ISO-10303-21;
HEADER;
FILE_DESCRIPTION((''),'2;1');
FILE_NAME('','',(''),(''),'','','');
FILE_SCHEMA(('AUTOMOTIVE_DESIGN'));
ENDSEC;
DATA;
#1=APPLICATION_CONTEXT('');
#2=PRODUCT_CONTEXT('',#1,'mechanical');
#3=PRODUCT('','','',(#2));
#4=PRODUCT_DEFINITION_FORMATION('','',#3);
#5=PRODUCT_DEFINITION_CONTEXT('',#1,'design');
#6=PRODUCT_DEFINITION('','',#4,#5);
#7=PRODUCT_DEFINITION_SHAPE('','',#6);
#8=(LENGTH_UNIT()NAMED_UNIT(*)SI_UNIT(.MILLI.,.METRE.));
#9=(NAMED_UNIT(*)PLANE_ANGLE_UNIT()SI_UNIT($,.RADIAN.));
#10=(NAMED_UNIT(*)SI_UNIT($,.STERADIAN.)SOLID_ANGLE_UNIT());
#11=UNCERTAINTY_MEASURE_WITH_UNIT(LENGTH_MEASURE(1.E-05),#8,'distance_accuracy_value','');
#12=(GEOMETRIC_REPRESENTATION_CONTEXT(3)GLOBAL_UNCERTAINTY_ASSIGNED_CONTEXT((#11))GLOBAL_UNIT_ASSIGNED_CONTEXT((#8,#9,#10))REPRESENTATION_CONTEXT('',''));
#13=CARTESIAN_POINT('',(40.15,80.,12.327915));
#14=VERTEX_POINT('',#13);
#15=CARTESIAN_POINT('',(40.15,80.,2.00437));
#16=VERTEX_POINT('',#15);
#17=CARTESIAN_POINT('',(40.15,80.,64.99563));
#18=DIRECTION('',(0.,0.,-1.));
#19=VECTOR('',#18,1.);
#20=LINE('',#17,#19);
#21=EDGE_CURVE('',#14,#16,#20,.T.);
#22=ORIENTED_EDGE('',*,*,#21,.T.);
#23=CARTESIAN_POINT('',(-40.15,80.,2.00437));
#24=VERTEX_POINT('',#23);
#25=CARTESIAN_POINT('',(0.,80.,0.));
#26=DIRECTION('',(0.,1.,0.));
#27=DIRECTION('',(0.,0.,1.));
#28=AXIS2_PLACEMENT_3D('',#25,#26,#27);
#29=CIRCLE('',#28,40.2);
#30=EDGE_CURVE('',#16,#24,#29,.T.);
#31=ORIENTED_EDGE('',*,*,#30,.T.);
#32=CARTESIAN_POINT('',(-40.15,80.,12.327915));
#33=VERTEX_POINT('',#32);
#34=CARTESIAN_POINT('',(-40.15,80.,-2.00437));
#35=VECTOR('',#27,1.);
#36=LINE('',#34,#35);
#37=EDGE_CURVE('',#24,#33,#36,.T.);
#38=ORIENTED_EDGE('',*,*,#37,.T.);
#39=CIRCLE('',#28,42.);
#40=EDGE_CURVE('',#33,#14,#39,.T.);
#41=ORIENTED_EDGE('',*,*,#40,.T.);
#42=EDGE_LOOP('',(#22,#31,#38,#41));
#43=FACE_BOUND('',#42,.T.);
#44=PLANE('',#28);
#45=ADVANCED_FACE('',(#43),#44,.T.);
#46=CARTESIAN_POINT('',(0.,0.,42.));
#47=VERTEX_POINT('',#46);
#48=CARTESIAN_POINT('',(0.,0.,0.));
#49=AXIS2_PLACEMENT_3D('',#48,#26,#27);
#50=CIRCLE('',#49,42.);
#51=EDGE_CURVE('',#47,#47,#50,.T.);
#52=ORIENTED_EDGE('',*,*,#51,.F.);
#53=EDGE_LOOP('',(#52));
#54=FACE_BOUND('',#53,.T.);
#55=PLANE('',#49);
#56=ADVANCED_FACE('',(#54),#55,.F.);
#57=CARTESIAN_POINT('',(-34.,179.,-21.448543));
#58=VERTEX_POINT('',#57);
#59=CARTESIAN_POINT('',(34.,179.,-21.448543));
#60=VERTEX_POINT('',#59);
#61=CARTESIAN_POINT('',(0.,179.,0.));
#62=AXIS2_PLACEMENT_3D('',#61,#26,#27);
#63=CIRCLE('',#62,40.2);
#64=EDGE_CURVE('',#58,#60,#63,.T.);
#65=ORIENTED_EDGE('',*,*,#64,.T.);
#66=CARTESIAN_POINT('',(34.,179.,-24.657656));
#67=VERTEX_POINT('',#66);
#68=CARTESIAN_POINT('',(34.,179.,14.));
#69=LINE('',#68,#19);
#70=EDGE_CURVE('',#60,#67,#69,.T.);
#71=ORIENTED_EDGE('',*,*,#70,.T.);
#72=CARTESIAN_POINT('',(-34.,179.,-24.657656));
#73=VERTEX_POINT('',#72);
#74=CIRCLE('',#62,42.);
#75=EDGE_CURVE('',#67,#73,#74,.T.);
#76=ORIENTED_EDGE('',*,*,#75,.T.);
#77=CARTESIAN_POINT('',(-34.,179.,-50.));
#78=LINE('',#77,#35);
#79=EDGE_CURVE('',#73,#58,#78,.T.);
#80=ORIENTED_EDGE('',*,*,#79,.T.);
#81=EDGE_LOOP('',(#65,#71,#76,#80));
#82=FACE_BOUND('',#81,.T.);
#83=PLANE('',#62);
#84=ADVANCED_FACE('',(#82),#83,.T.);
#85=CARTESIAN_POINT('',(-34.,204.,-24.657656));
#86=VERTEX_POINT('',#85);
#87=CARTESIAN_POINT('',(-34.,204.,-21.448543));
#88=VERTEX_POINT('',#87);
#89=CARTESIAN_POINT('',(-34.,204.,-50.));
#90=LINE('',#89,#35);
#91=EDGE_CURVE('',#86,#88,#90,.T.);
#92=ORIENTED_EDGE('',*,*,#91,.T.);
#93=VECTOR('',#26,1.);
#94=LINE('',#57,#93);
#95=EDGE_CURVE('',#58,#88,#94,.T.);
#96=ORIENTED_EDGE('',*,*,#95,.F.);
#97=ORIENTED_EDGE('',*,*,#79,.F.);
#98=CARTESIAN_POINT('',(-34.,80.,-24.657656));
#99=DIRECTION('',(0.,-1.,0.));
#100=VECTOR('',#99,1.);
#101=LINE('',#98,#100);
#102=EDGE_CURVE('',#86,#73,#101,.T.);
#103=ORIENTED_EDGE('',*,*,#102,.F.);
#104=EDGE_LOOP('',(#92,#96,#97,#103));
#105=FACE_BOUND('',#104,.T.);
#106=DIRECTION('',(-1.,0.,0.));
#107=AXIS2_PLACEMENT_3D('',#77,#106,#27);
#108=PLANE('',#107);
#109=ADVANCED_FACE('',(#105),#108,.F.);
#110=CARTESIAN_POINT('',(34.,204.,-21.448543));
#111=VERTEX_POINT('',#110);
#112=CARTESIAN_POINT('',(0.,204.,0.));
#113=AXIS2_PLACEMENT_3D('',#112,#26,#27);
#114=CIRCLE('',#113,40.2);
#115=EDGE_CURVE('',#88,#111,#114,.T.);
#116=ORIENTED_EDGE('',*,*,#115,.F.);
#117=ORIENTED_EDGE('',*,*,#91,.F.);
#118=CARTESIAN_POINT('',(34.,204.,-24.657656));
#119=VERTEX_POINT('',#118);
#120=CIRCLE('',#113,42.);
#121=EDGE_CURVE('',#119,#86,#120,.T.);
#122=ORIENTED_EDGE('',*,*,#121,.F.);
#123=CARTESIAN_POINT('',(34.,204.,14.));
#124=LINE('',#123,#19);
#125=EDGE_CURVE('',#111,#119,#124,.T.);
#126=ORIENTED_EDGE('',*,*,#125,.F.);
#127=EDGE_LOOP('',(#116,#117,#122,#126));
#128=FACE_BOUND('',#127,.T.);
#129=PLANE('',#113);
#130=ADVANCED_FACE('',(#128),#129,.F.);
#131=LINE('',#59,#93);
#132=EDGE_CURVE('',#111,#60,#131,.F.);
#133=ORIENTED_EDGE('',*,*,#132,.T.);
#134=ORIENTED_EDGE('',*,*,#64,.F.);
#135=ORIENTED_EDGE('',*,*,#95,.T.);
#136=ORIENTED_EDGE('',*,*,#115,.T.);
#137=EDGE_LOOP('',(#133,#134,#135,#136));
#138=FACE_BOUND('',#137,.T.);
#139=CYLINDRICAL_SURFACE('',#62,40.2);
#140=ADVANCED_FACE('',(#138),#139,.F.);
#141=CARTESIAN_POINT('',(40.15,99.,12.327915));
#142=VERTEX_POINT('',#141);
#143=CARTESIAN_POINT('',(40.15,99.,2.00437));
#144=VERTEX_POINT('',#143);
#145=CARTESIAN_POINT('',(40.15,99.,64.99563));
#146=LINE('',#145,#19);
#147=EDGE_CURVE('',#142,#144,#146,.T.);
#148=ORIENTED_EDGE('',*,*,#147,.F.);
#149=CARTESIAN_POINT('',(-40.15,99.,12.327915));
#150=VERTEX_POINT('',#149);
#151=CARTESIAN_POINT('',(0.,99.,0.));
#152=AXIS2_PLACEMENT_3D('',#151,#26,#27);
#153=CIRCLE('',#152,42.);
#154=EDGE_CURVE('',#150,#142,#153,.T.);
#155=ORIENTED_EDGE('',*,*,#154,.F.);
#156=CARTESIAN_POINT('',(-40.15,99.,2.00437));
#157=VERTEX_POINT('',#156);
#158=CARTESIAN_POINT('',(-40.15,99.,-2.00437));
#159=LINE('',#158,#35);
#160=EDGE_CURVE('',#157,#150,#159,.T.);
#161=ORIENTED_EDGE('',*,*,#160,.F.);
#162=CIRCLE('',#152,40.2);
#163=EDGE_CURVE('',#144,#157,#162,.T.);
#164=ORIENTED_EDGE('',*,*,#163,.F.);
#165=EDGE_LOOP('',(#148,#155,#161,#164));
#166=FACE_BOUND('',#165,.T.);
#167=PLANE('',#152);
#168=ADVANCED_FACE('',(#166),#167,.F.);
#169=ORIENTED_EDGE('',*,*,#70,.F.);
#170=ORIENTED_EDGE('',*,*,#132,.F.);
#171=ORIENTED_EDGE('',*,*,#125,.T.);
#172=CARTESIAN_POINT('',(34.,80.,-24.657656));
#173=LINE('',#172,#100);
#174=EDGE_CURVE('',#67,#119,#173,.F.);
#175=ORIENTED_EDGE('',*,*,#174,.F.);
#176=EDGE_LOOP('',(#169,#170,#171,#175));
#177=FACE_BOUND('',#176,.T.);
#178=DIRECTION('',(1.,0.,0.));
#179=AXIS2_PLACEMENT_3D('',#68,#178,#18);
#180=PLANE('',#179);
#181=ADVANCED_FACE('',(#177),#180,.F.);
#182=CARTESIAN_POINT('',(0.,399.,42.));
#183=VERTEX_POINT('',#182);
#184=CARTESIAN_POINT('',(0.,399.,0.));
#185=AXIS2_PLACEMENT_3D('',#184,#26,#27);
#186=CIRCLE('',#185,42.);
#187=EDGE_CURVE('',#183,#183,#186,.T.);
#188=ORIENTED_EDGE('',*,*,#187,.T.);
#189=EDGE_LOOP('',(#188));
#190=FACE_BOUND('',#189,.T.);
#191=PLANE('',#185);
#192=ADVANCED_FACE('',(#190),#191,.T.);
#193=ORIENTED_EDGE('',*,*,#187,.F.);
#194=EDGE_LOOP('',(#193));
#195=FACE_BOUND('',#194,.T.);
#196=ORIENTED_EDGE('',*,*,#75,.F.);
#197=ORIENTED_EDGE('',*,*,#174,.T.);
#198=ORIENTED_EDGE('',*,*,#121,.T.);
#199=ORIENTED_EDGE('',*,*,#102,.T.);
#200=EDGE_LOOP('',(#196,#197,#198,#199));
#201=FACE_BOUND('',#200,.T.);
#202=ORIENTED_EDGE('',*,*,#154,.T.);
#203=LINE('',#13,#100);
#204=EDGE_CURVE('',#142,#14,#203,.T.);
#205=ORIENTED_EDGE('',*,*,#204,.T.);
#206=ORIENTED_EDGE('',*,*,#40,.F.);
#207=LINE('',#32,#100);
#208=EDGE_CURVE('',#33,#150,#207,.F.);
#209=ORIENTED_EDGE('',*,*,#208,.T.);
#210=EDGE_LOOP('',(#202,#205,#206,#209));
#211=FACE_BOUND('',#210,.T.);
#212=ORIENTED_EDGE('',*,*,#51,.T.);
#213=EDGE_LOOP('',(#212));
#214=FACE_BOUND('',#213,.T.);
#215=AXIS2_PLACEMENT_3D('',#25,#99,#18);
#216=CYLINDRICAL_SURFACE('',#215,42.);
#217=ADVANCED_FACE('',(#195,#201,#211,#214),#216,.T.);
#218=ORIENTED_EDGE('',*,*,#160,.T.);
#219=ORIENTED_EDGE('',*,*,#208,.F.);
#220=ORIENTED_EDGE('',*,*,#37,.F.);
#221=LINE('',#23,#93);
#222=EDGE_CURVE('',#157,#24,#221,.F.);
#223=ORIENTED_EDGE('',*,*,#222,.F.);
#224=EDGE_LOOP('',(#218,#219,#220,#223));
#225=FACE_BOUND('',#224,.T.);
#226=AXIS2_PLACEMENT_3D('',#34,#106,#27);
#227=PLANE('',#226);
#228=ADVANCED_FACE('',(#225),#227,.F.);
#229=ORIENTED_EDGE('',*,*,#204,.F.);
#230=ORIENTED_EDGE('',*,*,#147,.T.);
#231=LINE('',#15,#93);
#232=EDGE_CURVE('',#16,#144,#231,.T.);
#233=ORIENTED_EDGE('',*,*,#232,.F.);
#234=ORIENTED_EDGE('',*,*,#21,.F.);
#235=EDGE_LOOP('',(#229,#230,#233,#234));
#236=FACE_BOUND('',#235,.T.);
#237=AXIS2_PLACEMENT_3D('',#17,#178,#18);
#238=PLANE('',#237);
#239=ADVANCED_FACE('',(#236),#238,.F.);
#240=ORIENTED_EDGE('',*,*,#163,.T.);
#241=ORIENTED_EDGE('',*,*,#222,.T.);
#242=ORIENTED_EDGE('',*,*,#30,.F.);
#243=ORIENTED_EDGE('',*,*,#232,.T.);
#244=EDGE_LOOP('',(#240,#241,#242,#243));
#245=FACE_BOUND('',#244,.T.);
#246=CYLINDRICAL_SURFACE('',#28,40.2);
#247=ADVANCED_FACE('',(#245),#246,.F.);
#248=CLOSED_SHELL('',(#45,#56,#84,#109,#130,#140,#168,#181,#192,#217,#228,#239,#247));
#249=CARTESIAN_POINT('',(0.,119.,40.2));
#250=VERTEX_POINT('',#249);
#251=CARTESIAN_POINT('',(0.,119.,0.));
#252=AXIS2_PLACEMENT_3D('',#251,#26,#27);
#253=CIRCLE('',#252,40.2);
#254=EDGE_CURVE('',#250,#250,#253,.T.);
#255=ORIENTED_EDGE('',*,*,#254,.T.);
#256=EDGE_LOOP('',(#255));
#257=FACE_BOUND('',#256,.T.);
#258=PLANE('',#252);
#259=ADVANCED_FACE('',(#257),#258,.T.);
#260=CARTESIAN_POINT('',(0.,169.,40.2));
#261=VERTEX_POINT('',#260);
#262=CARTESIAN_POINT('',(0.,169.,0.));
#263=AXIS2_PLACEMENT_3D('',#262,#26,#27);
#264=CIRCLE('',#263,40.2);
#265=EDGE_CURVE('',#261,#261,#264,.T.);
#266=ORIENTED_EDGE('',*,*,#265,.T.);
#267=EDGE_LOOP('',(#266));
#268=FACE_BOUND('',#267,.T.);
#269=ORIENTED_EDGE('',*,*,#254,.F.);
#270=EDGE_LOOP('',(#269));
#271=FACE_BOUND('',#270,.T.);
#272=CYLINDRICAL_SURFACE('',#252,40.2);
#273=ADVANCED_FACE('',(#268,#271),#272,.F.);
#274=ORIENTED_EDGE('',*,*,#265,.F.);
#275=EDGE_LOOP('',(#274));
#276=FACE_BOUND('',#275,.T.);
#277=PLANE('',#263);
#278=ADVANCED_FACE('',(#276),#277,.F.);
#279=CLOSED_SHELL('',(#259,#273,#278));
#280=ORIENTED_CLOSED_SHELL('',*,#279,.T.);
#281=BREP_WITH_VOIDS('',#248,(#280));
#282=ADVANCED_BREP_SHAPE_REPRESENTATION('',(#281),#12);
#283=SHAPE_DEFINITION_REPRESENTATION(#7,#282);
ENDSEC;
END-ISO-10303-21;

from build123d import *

# Parameters (mm, degrees)
SKETCH1_R           = 42
BOSS_EXTRUDE1_DEPTH = 80
SKETCH7_R           = 42
BOSS_EXTRUDE2_DEPTH = 19
SKETCH8_R           = 40.2
BATTERY_SLOT_DEPTH  = 19
SKETCH10_W          = 80.3
SKETCH10_H          = 67
CUT_EXTRUDE6_DEPTH  = 19
SKETCH11_R          = 42
BOSS_EXTRUDE3_DEPTH = 20
SKETCH12_R          = 42
BOSS_EXTRUDE4_DEPTH = 50
SKETCH13_R          = 40.2
CUT_EXTRUDE7_DEPTH  = 50
SKETCH14_R          = 42
BOSS_EXTRUDE5_DEPTH = 35
SKETCH15_R          = 40.2
RPI_SLOT_DEPTH      = 25
SKETCH16_W          = 68
SKETCH16_H          = 64
CUT_EXTRUDE9_DEPTH  = 25
SKETCH17_R          = 42
BOSS_EXTRUDE6_DEPTH = 20
SKETCH18_R          = 42
BOSS_EXTRUDE7_DEPTH = 175


with BuildPart() as part:
    # Sketch1 → Boss-Extrude1 (new body)
    with BuildSketch(Plane(origin=(0, 0, 0), x_dir=(1, 0, 0), z_dir=(0, 1, 0))):
        Circle(SKETCH1_R)
    extrude(amount=BOSS_EXTRUDE1_DEPTH)

    # Sketch7 → Boss-Extrude2 (add)
    with BuildSketch(Plane(origin=(0, 80, 0), x_dir=(1, 0, 0), z_dir=(0, 1, 0))):
        Circle(SKETCH7_R)
    extrude(amount=BOSS_EXTRUDE2_DEPTH)

    # Sketch8 → Battery slot (cut)
    with BuildSketch(Plane(origin=(0, 99, 0), x_dir=(1, 0, 0), z_dir=(0, 1, 0))):
        Circle(SKETCH8_R)
    extrude(amount=-BATTERY_SLOT_DEPTH, mode=Mode.SUBTRACT)

    # Sketch10 → Cut-Extrude6 (cut)
    with BuildSketch(Plane(origin=(0, 99, 0), x_dir=(1, 0, 0), z_dir=(0, 1, 0))):
        with Locations((0, -31.495629775)):
            Rectangle(SKETCH10_W, SKETCH10_H)
    extrude(amount=-CUT_EXTRUDE6_DEPTH, mode=Mode.SUBTRACT)

    # Sketch11 → Boss-Extrude3 (add)
    with BuildSketch(Plane(origin=(0, 99, 0), x_dir=(1, 0, 0), z_dir=(0, 1, 0))):
        Circle(SKETCH11_R)
    extrude(amount=BOSS_EXTRUDE3_DEPTH)

    # Sketch12 → Boss-Extrude4 (add)
    with BuildSketch(Plane(origin=(0, 119, 0), x_dir=(1, 0, 0), z_dir=(0, 1, 0))):
        Circle(SKETCH12_R)
    extrude(amount=BOSS_EXTRUDE4_DEPTH)

    # Sketch13 → Cut-Extrude7 (cut)
    with BuildSketch(Plane(origin=(0, 169, 0), x_dir=(1, 0, 0), z_dir=(0, 1, 0))):
        Circle(SKETCH13_R)
    extrude(amount=-CUT_EXTRUDE7_DEPTH, mode=Mode.SUBTRACT)

    # Sketch14 → Boss-Extrude5 (add)
    with BuildSketch(Plane(origin=(0, 169, 0), x_dir=(1, 0, 0), z_dir=(0, 1, 0))):
        Circle(SKETCH14_R)
    extrude(amount=BOSS_EXTRUDE5_DEPTH)

    # Sketch15 → RPI Slot (cut)
    with BuildSketch(Plane(origin=(0, 204, 0), x_dir=(1, 0, 0), z_dir=(0, 1, 0))):
        Circle(SKETCH15_R)
    extrude(amount=-RPI_SLOT_DEPTH, mode=Mode.SUBTRACT)

    # Sketch16 → Cut-Extrude9 (cut)
    with BuildSketch(Plane(origin=(0, 204, 0), x_dir=(1, 0, 0), z_dir=(0, 1, 0))):
        with Locations((0, 18)):
            Rectangle(SKETCH16_W, SKETCH16_H)
    extrude(amount=-CUT_EXTRUDE9_DEPTH, mode=Mode.SUBTRACT)

    # Sketch17 → Boss-Extrude6 (add)
    with BuildSketch(Plane(origin=(0, 204, 0), x_dir=(1, 0, 0), z_dir=(0, 1, 0))):
        Circle(SKETCH17_R)
    extrude(amount=BOSS_EXTRUDE6_DEPTH)

    # Sketch18 → Boss-Extrude7 (add)
    with BuildSketch(Plane(origin=(0, 224, 0), x_dir=(1, 0, 0), z_dir=(0, 1, 0))):
        Circle(SKETCH18_R)
    extrude(amount=BOSS_EXTRUDE7_DEPTH)


solid = part.part
